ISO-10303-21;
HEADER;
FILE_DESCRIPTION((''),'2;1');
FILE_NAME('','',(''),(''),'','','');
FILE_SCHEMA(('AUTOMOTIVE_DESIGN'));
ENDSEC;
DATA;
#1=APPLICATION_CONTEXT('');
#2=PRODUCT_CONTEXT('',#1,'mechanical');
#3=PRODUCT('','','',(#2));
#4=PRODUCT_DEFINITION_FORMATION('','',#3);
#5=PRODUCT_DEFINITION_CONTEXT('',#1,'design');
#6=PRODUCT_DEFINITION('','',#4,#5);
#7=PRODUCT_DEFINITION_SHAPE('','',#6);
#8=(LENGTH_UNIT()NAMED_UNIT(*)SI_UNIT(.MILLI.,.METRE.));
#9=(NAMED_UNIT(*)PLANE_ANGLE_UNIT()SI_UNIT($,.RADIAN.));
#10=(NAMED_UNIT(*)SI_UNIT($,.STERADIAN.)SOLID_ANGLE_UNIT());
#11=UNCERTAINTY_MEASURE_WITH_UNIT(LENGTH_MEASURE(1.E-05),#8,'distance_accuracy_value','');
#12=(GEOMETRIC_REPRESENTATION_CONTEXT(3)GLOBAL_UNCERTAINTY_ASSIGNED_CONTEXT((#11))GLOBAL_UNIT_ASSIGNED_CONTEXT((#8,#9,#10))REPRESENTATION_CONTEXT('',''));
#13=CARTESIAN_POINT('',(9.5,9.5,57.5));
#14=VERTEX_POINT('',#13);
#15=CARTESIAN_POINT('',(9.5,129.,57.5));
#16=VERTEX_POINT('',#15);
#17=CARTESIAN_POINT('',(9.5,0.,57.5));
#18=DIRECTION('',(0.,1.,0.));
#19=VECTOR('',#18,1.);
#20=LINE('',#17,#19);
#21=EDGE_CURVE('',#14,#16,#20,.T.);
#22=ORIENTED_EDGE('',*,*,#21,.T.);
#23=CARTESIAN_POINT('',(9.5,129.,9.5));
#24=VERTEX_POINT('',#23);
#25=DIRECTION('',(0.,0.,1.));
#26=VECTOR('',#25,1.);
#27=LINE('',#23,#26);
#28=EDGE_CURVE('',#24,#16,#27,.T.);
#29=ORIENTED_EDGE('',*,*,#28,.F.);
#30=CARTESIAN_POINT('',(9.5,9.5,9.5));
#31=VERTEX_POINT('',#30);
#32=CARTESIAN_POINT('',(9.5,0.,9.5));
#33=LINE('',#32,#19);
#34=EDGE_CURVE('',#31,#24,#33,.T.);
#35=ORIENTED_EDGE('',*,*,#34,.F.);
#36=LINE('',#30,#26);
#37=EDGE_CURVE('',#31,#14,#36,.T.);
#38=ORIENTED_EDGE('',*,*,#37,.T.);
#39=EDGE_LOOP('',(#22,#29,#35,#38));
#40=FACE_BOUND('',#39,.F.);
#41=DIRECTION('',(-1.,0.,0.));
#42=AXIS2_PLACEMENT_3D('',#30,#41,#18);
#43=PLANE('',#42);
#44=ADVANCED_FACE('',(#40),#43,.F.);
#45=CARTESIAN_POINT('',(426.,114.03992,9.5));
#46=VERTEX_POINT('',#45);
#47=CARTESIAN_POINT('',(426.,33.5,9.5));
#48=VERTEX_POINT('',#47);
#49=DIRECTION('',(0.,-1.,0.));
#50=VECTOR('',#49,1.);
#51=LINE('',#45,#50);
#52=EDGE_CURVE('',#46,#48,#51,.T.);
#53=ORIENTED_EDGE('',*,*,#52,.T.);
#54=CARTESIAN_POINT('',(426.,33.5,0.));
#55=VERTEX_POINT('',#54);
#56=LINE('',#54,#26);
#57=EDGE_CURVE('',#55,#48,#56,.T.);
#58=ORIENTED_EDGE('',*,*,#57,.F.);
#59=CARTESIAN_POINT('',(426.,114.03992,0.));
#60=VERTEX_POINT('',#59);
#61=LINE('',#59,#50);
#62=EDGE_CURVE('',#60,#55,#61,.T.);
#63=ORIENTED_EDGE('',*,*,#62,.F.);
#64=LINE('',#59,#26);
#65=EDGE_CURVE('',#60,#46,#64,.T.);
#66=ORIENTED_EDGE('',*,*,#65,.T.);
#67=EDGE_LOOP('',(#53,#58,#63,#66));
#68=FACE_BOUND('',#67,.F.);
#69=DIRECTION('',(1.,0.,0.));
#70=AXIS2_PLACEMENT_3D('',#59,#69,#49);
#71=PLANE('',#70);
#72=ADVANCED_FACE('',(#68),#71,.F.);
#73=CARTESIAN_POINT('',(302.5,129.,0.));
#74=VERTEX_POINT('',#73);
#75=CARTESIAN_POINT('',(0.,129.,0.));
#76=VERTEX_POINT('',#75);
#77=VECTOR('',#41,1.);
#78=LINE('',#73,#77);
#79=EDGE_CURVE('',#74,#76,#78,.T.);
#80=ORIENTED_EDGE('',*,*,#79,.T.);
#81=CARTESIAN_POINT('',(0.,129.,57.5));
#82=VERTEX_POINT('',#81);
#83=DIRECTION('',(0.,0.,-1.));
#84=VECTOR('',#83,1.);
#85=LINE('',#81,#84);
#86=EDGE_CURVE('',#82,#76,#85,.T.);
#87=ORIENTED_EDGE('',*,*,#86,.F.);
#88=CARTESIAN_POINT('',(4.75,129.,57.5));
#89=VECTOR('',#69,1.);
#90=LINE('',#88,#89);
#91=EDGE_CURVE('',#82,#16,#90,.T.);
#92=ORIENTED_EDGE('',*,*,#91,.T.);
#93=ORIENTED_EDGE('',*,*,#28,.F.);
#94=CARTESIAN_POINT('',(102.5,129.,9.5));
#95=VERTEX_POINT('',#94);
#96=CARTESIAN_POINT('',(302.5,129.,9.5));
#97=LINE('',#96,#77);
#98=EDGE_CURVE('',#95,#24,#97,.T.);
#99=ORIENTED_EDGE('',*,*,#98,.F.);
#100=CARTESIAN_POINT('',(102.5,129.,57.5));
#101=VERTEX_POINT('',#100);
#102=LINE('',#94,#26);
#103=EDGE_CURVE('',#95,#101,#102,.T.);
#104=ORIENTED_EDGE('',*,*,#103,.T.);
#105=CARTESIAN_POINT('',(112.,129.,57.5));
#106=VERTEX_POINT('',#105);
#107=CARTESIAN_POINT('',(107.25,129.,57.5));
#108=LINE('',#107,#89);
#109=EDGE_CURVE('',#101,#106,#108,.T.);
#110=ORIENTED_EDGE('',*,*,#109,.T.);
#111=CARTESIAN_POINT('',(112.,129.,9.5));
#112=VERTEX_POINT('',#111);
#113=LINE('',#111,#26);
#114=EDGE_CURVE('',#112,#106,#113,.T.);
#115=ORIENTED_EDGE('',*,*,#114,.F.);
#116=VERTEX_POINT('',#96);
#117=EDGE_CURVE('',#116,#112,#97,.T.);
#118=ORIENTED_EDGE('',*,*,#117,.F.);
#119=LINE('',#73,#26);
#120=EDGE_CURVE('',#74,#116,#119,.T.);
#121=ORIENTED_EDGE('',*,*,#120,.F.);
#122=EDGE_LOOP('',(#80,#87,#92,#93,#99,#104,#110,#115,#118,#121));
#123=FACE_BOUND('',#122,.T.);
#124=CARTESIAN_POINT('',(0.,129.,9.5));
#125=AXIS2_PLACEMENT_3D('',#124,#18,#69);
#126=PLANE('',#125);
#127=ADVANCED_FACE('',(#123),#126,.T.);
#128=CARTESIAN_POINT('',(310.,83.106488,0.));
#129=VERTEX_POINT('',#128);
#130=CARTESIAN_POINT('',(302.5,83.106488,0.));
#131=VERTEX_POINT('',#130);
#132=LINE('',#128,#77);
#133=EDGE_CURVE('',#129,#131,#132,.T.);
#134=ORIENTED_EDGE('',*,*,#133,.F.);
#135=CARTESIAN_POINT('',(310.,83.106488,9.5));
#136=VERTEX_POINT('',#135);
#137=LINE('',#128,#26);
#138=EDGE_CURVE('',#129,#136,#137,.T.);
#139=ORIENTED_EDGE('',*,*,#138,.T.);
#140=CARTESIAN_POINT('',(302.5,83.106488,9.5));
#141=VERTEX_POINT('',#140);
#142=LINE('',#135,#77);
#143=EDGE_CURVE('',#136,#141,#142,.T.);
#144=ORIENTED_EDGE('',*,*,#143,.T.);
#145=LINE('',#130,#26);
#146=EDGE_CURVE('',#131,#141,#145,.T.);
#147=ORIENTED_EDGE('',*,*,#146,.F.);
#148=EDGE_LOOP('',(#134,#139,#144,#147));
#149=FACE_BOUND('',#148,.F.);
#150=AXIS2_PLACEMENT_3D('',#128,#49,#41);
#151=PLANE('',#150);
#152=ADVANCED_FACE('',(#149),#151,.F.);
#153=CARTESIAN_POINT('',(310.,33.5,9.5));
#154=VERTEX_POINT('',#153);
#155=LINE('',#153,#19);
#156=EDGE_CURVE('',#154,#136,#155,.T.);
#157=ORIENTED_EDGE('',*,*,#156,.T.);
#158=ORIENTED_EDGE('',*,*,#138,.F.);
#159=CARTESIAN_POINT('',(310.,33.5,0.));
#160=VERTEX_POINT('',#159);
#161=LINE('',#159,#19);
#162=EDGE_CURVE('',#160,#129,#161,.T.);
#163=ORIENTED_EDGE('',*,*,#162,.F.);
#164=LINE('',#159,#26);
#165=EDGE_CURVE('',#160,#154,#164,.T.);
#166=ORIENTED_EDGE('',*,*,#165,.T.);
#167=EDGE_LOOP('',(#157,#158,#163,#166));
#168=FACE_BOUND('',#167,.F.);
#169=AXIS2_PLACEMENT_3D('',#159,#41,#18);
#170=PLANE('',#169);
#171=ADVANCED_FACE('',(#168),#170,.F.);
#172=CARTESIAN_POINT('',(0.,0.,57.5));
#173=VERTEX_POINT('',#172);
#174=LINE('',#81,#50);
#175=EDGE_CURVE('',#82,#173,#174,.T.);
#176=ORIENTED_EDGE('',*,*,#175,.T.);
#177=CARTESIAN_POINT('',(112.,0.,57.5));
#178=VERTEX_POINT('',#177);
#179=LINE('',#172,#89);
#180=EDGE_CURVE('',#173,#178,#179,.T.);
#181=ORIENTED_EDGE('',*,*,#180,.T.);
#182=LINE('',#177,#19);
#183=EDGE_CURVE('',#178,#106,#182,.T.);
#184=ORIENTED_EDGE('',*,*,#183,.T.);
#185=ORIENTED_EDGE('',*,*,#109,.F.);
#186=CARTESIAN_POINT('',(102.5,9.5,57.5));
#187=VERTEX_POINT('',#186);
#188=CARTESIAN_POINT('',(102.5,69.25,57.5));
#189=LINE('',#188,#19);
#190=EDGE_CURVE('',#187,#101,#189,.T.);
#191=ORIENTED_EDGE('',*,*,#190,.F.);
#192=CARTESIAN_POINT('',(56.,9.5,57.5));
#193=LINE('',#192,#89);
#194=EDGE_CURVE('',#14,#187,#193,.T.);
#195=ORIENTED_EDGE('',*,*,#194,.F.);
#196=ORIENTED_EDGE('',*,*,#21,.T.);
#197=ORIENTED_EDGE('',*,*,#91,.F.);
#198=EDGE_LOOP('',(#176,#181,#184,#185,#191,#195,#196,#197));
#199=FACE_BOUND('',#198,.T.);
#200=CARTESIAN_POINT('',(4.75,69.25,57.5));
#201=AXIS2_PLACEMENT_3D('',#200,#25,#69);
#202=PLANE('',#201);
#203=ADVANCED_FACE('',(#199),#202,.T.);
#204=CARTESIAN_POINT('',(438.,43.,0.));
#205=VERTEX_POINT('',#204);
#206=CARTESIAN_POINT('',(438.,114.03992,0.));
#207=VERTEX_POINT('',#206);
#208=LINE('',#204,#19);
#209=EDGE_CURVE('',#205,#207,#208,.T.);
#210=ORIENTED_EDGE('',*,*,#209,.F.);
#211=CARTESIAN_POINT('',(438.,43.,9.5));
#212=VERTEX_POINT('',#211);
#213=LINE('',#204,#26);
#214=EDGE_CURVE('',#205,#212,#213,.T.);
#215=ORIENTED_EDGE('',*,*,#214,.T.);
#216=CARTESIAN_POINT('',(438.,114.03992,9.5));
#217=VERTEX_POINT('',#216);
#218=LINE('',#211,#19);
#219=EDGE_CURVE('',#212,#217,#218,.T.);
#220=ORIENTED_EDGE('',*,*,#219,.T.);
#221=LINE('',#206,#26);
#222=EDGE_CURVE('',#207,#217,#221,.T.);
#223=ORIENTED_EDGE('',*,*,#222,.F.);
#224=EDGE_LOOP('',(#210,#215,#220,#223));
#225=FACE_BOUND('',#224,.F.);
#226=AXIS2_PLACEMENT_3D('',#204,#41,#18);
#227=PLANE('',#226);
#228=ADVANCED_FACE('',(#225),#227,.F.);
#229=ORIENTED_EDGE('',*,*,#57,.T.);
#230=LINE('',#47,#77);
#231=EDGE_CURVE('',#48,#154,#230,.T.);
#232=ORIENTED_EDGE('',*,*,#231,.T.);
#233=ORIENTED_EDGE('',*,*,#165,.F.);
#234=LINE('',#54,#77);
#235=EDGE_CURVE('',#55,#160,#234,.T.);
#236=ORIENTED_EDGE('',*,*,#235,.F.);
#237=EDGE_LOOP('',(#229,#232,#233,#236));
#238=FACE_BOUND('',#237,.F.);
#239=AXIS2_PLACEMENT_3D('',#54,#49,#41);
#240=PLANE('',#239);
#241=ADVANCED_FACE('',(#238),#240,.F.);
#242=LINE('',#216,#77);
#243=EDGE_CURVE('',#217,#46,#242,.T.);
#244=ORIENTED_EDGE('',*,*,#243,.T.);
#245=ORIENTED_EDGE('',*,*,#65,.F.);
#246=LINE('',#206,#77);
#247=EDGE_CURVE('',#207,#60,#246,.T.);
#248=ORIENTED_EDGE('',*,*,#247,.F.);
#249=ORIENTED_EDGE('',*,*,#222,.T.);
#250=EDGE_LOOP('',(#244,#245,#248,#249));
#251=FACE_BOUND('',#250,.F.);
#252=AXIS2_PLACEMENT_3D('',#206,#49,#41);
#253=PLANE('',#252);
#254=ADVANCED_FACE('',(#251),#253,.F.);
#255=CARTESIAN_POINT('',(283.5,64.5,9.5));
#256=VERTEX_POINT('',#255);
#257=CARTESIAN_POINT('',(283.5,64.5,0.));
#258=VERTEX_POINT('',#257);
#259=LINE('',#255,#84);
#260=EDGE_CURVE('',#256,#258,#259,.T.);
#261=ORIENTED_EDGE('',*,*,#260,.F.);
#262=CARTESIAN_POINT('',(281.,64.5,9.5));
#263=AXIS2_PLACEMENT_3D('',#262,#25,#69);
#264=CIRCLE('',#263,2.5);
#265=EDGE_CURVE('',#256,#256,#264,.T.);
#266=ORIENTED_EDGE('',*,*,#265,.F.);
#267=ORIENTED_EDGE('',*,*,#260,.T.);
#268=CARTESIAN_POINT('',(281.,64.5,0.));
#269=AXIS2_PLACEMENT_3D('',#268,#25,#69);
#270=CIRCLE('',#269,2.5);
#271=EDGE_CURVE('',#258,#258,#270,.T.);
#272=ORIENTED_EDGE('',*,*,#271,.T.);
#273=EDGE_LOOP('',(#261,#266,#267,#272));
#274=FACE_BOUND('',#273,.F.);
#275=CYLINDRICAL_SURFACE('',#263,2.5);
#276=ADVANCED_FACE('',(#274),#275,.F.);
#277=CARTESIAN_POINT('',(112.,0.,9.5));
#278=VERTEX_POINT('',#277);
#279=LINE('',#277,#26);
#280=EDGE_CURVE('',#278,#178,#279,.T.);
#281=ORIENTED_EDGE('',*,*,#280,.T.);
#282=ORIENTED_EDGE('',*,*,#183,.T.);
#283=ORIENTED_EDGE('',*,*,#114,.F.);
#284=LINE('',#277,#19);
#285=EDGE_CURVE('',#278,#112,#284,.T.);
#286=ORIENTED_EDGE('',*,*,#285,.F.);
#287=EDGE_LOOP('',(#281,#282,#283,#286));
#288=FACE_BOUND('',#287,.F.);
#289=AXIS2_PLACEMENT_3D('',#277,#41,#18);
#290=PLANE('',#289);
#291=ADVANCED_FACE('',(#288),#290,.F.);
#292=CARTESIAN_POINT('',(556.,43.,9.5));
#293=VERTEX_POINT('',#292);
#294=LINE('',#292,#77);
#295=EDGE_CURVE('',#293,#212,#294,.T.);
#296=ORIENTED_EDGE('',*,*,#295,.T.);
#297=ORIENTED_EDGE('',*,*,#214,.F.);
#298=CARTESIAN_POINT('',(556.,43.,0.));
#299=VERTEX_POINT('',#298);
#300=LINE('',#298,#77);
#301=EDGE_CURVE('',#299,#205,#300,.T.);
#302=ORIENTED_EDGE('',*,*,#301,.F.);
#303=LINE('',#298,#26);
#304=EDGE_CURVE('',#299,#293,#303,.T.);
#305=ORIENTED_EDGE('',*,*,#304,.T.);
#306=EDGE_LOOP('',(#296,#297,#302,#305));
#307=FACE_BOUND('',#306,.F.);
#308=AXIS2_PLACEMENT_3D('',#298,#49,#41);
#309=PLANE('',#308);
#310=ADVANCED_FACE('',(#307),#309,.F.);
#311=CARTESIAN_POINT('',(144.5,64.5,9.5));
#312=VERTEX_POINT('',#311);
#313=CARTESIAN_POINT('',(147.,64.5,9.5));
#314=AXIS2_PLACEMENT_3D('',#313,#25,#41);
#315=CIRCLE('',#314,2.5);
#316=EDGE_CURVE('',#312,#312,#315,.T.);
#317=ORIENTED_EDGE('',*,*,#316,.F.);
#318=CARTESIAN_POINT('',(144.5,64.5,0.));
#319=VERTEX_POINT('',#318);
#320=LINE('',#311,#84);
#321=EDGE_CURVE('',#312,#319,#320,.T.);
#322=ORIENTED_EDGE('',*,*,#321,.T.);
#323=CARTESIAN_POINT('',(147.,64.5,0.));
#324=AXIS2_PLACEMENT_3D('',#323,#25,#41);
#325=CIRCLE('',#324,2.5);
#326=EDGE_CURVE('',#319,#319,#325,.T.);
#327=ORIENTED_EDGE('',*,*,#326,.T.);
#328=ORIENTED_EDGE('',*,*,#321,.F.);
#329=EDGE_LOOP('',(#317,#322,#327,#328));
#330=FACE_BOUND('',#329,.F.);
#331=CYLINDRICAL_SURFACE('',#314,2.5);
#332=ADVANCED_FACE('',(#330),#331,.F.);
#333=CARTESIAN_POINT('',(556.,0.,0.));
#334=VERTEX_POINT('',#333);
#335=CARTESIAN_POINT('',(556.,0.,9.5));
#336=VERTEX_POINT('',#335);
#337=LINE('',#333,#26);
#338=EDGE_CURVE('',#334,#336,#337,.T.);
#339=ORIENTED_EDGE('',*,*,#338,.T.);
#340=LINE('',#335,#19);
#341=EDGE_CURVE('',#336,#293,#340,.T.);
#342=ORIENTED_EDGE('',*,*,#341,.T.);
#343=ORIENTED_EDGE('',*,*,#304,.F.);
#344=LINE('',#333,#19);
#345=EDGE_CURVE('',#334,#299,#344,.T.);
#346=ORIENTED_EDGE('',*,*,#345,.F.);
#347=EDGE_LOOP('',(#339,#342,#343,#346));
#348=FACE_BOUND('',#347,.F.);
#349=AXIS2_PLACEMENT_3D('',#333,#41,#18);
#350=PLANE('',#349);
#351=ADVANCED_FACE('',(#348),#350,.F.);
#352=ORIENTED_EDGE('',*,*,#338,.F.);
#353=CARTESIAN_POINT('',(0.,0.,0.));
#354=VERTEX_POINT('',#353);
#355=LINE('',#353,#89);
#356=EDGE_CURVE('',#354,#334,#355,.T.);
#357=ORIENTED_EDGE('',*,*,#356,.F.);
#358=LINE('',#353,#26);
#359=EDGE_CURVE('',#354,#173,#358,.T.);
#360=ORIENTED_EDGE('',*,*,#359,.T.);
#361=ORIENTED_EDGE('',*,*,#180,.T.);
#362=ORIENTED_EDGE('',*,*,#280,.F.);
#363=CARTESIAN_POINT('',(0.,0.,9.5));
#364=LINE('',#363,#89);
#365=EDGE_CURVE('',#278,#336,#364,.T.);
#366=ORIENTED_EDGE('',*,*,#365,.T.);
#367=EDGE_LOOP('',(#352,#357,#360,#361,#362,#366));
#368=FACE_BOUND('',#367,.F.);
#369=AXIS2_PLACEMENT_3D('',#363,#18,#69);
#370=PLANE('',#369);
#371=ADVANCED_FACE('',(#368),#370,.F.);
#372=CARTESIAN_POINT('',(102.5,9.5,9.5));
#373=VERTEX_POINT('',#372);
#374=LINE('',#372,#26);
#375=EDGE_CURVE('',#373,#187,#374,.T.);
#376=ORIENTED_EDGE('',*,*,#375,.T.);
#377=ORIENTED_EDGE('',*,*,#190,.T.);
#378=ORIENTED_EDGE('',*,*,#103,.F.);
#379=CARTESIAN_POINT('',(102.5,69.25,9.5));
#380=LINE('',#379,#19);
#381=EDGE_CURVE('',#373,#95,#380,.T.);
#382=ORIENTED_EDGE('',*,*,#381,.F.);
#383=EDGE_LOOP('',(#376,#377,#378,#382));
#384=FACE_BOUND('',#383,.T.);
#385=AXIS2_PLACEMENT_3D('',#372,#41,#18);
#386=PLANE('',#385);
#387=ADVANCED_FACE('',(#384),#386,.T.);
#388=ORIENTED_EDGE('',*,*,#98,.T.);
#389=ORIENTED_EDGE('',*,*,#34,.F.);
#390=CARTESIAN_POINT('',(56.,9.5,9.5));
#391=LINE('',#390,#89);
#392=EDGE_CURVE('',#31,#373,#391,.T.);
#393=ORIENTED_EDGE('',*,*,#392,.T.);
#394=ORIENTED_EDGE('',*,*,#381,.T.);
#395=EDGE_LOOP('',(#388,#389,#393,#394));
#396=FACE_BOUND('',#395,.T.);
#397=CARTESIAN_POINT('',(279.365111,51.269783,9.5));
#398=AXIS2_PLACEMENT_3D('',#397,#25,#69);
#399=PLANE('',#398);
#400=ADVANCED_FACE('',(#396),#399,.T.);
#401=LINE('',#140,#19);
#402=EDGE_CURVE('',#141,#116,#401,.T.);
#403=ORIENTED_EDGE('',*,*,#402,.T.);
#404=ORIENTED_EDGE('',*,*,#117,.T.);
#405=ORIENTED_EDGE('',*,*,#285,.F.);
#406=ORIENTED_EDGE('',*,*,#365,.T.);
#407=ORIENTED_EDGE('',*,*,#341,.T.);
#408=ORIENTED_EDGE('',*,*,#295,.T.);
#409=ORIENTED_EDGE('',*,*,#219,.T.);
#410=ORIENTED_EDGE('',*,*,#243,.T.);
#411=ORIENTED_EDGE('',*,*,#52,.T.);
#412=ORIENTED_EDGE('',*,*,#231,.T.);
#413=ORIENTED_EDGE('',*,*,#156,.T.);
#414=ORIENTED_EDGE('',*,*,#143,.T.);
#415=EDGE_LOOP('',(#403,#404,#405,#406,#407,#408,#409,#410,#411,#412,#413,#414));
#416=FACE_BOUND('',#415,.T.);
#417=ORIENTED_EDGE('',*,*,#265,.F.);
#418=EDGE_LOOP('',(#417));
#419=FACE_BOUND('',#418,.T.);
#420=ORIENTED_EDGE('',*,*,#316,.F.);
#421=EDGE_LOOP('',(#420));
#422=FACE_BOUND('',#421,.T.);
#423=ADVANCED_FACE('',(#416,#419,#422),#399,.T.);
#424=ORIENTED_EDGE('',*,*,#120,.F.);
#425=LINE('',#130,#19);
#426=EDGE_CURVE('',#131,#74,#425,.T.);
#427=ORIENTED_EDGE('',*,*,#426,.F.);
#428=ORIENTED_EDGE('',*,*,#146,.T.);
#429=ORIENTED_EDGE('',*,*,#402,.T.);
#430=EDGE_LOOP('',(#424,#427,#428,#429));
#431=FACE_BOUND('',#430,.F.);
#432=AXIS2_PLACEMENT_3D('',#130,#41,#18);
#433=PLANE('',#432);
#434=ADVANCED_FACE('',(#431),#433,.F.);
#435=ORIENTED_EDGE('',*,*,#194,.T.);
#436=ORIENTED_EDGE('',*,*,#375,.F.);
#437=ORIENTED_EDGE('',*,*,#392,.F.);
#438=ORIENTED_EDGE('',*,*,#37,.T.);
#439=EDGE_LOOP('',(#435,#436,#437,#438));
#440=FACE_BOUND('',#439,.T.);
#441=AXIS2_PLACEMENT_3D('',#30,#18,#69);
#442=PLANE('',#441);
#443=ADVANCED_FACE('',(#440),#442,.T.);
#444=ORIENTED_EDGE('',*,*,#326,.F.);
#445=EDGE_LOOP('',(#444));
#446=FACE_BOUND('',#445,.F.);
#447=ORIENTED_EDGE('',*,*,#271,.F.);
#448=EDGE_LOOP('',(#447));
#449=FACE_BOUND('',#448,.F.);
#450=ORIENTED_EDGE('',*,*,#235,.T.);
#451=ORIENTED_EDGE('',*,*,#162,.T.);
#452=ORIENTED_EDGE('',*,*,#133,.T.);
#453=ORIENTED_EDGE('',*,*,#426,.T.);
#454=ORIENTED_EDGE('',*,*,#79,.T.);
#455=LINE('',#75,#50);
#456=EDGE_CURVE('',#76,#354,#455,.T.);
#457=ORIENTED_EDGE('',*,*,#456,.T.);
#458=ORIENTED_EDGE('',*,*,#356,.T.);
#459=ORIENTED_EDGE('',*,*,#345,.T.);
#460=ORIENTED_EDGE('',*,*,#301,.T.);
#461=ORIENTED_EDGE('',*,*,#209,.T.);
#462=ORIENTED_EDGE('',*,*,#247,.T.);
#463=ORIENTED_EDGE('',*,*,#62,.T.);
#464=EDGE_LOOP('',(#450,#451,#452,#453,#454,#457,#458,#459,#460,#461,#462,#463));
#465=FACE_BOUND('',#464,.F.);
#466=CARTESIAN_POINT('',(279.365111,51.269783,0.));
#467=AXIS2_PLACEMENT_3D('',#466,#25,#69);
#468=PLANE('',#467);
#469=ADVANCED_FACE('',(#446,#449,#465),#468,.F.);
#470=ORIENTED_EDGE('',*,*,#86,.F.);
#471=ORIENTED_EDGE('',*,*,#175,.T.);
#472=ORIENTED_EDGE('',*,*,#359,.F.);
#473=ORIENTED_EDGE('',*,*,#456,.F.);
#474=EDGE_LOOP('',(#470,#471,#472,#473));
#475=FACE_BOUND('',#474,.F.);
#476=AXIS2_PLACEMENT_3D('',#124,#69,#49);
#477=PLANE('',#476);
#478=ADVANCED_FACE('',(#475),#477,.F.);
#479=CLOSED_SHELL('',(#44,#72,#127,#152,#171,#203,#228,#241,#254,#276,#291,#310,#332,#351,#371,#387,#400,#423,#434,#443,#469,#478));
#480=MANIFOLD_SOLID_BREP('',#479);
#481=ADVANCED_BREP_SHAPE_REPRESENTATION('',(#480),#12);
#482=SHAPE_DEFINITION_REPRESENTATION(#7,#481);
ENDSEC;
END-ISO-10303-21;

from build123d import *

# Parameters (mm, degrees)
F1_DEPTH = 9.5
F2_W     = 9.5
F2_H     = 119.5
F2_H_2   = 9.5
F2_W_2   = 93
F3_DEPTH = 48
F5_DEPTH = 25.4


with BuildPart() as f1:
    # F0 (on Top) → F1 (new body)
    with BuildSketch(Plane.XY):
        Polygon((0, 129), (0, 0), (556, 0), (556, 43), (438, 43), (438, 114.0399202704), (426, 114.0399202704), (426, 33.5), (310, 33.5), (310, 83.1064879894), (302.5, 83.1064879894), (302.5, 129), align=None)
    extrude(amount=F1_DEPTH)

    # F2 (on face) → F3 (join)
    with BuildSketch(Plane.XY.offset(9.5)):
        with Locations((4.75, 69.25)):
            Rectangle(F2_W, F2_H)
        with Locations((4.75, 4.75)):
            Rectangle(F2_W, F2_H_2)
        with Locations((56, 4.75)):
            Rectangle(F2_W_2, F2_H_2)
        with Locations((107.25, 69.25)):
            Rectangle(F2_W, F2_H)
        with Locations((107.25, 4.75)):
            Rectangle(F2_W, F2_H_2)
    extrude(amount=F3_DEPTH)

    # F4 (on face) → F5 (cut)
    with BuildSketch(Plane.XY.offset(9.5)):
        with BuildLine():
            ThreePointArc((149.5, 64.5), (147, 67), (144.5, 64.5))
            Line((144.5, 64.5), (149.5, 64.5))
        make_face()
        with BuildLine():
            Line((149.5, 64.5), (144.5, 64.5))
            ThreePointArc((144.5, 64.5), (147, 62), (149.5, 64.5))
        make_face()
        with BuildLine():
            Line((283.5, 64.5), (278.5, 64.5))
            ThreePointArc((278.5, 64.5), (281, 62), (283.5, 64.5))
        make_face()
        with BuildLine():
            ThreePointArc((283.5, 64.5), (281, 67), (278.5, 64.5))
            Line((278.5, 64.5), (283.5, 64.5))
        make_face()
    extrude(amount=-F5_DEPTH, mode=Mode.SUBTRACT)


solid = f1.part
